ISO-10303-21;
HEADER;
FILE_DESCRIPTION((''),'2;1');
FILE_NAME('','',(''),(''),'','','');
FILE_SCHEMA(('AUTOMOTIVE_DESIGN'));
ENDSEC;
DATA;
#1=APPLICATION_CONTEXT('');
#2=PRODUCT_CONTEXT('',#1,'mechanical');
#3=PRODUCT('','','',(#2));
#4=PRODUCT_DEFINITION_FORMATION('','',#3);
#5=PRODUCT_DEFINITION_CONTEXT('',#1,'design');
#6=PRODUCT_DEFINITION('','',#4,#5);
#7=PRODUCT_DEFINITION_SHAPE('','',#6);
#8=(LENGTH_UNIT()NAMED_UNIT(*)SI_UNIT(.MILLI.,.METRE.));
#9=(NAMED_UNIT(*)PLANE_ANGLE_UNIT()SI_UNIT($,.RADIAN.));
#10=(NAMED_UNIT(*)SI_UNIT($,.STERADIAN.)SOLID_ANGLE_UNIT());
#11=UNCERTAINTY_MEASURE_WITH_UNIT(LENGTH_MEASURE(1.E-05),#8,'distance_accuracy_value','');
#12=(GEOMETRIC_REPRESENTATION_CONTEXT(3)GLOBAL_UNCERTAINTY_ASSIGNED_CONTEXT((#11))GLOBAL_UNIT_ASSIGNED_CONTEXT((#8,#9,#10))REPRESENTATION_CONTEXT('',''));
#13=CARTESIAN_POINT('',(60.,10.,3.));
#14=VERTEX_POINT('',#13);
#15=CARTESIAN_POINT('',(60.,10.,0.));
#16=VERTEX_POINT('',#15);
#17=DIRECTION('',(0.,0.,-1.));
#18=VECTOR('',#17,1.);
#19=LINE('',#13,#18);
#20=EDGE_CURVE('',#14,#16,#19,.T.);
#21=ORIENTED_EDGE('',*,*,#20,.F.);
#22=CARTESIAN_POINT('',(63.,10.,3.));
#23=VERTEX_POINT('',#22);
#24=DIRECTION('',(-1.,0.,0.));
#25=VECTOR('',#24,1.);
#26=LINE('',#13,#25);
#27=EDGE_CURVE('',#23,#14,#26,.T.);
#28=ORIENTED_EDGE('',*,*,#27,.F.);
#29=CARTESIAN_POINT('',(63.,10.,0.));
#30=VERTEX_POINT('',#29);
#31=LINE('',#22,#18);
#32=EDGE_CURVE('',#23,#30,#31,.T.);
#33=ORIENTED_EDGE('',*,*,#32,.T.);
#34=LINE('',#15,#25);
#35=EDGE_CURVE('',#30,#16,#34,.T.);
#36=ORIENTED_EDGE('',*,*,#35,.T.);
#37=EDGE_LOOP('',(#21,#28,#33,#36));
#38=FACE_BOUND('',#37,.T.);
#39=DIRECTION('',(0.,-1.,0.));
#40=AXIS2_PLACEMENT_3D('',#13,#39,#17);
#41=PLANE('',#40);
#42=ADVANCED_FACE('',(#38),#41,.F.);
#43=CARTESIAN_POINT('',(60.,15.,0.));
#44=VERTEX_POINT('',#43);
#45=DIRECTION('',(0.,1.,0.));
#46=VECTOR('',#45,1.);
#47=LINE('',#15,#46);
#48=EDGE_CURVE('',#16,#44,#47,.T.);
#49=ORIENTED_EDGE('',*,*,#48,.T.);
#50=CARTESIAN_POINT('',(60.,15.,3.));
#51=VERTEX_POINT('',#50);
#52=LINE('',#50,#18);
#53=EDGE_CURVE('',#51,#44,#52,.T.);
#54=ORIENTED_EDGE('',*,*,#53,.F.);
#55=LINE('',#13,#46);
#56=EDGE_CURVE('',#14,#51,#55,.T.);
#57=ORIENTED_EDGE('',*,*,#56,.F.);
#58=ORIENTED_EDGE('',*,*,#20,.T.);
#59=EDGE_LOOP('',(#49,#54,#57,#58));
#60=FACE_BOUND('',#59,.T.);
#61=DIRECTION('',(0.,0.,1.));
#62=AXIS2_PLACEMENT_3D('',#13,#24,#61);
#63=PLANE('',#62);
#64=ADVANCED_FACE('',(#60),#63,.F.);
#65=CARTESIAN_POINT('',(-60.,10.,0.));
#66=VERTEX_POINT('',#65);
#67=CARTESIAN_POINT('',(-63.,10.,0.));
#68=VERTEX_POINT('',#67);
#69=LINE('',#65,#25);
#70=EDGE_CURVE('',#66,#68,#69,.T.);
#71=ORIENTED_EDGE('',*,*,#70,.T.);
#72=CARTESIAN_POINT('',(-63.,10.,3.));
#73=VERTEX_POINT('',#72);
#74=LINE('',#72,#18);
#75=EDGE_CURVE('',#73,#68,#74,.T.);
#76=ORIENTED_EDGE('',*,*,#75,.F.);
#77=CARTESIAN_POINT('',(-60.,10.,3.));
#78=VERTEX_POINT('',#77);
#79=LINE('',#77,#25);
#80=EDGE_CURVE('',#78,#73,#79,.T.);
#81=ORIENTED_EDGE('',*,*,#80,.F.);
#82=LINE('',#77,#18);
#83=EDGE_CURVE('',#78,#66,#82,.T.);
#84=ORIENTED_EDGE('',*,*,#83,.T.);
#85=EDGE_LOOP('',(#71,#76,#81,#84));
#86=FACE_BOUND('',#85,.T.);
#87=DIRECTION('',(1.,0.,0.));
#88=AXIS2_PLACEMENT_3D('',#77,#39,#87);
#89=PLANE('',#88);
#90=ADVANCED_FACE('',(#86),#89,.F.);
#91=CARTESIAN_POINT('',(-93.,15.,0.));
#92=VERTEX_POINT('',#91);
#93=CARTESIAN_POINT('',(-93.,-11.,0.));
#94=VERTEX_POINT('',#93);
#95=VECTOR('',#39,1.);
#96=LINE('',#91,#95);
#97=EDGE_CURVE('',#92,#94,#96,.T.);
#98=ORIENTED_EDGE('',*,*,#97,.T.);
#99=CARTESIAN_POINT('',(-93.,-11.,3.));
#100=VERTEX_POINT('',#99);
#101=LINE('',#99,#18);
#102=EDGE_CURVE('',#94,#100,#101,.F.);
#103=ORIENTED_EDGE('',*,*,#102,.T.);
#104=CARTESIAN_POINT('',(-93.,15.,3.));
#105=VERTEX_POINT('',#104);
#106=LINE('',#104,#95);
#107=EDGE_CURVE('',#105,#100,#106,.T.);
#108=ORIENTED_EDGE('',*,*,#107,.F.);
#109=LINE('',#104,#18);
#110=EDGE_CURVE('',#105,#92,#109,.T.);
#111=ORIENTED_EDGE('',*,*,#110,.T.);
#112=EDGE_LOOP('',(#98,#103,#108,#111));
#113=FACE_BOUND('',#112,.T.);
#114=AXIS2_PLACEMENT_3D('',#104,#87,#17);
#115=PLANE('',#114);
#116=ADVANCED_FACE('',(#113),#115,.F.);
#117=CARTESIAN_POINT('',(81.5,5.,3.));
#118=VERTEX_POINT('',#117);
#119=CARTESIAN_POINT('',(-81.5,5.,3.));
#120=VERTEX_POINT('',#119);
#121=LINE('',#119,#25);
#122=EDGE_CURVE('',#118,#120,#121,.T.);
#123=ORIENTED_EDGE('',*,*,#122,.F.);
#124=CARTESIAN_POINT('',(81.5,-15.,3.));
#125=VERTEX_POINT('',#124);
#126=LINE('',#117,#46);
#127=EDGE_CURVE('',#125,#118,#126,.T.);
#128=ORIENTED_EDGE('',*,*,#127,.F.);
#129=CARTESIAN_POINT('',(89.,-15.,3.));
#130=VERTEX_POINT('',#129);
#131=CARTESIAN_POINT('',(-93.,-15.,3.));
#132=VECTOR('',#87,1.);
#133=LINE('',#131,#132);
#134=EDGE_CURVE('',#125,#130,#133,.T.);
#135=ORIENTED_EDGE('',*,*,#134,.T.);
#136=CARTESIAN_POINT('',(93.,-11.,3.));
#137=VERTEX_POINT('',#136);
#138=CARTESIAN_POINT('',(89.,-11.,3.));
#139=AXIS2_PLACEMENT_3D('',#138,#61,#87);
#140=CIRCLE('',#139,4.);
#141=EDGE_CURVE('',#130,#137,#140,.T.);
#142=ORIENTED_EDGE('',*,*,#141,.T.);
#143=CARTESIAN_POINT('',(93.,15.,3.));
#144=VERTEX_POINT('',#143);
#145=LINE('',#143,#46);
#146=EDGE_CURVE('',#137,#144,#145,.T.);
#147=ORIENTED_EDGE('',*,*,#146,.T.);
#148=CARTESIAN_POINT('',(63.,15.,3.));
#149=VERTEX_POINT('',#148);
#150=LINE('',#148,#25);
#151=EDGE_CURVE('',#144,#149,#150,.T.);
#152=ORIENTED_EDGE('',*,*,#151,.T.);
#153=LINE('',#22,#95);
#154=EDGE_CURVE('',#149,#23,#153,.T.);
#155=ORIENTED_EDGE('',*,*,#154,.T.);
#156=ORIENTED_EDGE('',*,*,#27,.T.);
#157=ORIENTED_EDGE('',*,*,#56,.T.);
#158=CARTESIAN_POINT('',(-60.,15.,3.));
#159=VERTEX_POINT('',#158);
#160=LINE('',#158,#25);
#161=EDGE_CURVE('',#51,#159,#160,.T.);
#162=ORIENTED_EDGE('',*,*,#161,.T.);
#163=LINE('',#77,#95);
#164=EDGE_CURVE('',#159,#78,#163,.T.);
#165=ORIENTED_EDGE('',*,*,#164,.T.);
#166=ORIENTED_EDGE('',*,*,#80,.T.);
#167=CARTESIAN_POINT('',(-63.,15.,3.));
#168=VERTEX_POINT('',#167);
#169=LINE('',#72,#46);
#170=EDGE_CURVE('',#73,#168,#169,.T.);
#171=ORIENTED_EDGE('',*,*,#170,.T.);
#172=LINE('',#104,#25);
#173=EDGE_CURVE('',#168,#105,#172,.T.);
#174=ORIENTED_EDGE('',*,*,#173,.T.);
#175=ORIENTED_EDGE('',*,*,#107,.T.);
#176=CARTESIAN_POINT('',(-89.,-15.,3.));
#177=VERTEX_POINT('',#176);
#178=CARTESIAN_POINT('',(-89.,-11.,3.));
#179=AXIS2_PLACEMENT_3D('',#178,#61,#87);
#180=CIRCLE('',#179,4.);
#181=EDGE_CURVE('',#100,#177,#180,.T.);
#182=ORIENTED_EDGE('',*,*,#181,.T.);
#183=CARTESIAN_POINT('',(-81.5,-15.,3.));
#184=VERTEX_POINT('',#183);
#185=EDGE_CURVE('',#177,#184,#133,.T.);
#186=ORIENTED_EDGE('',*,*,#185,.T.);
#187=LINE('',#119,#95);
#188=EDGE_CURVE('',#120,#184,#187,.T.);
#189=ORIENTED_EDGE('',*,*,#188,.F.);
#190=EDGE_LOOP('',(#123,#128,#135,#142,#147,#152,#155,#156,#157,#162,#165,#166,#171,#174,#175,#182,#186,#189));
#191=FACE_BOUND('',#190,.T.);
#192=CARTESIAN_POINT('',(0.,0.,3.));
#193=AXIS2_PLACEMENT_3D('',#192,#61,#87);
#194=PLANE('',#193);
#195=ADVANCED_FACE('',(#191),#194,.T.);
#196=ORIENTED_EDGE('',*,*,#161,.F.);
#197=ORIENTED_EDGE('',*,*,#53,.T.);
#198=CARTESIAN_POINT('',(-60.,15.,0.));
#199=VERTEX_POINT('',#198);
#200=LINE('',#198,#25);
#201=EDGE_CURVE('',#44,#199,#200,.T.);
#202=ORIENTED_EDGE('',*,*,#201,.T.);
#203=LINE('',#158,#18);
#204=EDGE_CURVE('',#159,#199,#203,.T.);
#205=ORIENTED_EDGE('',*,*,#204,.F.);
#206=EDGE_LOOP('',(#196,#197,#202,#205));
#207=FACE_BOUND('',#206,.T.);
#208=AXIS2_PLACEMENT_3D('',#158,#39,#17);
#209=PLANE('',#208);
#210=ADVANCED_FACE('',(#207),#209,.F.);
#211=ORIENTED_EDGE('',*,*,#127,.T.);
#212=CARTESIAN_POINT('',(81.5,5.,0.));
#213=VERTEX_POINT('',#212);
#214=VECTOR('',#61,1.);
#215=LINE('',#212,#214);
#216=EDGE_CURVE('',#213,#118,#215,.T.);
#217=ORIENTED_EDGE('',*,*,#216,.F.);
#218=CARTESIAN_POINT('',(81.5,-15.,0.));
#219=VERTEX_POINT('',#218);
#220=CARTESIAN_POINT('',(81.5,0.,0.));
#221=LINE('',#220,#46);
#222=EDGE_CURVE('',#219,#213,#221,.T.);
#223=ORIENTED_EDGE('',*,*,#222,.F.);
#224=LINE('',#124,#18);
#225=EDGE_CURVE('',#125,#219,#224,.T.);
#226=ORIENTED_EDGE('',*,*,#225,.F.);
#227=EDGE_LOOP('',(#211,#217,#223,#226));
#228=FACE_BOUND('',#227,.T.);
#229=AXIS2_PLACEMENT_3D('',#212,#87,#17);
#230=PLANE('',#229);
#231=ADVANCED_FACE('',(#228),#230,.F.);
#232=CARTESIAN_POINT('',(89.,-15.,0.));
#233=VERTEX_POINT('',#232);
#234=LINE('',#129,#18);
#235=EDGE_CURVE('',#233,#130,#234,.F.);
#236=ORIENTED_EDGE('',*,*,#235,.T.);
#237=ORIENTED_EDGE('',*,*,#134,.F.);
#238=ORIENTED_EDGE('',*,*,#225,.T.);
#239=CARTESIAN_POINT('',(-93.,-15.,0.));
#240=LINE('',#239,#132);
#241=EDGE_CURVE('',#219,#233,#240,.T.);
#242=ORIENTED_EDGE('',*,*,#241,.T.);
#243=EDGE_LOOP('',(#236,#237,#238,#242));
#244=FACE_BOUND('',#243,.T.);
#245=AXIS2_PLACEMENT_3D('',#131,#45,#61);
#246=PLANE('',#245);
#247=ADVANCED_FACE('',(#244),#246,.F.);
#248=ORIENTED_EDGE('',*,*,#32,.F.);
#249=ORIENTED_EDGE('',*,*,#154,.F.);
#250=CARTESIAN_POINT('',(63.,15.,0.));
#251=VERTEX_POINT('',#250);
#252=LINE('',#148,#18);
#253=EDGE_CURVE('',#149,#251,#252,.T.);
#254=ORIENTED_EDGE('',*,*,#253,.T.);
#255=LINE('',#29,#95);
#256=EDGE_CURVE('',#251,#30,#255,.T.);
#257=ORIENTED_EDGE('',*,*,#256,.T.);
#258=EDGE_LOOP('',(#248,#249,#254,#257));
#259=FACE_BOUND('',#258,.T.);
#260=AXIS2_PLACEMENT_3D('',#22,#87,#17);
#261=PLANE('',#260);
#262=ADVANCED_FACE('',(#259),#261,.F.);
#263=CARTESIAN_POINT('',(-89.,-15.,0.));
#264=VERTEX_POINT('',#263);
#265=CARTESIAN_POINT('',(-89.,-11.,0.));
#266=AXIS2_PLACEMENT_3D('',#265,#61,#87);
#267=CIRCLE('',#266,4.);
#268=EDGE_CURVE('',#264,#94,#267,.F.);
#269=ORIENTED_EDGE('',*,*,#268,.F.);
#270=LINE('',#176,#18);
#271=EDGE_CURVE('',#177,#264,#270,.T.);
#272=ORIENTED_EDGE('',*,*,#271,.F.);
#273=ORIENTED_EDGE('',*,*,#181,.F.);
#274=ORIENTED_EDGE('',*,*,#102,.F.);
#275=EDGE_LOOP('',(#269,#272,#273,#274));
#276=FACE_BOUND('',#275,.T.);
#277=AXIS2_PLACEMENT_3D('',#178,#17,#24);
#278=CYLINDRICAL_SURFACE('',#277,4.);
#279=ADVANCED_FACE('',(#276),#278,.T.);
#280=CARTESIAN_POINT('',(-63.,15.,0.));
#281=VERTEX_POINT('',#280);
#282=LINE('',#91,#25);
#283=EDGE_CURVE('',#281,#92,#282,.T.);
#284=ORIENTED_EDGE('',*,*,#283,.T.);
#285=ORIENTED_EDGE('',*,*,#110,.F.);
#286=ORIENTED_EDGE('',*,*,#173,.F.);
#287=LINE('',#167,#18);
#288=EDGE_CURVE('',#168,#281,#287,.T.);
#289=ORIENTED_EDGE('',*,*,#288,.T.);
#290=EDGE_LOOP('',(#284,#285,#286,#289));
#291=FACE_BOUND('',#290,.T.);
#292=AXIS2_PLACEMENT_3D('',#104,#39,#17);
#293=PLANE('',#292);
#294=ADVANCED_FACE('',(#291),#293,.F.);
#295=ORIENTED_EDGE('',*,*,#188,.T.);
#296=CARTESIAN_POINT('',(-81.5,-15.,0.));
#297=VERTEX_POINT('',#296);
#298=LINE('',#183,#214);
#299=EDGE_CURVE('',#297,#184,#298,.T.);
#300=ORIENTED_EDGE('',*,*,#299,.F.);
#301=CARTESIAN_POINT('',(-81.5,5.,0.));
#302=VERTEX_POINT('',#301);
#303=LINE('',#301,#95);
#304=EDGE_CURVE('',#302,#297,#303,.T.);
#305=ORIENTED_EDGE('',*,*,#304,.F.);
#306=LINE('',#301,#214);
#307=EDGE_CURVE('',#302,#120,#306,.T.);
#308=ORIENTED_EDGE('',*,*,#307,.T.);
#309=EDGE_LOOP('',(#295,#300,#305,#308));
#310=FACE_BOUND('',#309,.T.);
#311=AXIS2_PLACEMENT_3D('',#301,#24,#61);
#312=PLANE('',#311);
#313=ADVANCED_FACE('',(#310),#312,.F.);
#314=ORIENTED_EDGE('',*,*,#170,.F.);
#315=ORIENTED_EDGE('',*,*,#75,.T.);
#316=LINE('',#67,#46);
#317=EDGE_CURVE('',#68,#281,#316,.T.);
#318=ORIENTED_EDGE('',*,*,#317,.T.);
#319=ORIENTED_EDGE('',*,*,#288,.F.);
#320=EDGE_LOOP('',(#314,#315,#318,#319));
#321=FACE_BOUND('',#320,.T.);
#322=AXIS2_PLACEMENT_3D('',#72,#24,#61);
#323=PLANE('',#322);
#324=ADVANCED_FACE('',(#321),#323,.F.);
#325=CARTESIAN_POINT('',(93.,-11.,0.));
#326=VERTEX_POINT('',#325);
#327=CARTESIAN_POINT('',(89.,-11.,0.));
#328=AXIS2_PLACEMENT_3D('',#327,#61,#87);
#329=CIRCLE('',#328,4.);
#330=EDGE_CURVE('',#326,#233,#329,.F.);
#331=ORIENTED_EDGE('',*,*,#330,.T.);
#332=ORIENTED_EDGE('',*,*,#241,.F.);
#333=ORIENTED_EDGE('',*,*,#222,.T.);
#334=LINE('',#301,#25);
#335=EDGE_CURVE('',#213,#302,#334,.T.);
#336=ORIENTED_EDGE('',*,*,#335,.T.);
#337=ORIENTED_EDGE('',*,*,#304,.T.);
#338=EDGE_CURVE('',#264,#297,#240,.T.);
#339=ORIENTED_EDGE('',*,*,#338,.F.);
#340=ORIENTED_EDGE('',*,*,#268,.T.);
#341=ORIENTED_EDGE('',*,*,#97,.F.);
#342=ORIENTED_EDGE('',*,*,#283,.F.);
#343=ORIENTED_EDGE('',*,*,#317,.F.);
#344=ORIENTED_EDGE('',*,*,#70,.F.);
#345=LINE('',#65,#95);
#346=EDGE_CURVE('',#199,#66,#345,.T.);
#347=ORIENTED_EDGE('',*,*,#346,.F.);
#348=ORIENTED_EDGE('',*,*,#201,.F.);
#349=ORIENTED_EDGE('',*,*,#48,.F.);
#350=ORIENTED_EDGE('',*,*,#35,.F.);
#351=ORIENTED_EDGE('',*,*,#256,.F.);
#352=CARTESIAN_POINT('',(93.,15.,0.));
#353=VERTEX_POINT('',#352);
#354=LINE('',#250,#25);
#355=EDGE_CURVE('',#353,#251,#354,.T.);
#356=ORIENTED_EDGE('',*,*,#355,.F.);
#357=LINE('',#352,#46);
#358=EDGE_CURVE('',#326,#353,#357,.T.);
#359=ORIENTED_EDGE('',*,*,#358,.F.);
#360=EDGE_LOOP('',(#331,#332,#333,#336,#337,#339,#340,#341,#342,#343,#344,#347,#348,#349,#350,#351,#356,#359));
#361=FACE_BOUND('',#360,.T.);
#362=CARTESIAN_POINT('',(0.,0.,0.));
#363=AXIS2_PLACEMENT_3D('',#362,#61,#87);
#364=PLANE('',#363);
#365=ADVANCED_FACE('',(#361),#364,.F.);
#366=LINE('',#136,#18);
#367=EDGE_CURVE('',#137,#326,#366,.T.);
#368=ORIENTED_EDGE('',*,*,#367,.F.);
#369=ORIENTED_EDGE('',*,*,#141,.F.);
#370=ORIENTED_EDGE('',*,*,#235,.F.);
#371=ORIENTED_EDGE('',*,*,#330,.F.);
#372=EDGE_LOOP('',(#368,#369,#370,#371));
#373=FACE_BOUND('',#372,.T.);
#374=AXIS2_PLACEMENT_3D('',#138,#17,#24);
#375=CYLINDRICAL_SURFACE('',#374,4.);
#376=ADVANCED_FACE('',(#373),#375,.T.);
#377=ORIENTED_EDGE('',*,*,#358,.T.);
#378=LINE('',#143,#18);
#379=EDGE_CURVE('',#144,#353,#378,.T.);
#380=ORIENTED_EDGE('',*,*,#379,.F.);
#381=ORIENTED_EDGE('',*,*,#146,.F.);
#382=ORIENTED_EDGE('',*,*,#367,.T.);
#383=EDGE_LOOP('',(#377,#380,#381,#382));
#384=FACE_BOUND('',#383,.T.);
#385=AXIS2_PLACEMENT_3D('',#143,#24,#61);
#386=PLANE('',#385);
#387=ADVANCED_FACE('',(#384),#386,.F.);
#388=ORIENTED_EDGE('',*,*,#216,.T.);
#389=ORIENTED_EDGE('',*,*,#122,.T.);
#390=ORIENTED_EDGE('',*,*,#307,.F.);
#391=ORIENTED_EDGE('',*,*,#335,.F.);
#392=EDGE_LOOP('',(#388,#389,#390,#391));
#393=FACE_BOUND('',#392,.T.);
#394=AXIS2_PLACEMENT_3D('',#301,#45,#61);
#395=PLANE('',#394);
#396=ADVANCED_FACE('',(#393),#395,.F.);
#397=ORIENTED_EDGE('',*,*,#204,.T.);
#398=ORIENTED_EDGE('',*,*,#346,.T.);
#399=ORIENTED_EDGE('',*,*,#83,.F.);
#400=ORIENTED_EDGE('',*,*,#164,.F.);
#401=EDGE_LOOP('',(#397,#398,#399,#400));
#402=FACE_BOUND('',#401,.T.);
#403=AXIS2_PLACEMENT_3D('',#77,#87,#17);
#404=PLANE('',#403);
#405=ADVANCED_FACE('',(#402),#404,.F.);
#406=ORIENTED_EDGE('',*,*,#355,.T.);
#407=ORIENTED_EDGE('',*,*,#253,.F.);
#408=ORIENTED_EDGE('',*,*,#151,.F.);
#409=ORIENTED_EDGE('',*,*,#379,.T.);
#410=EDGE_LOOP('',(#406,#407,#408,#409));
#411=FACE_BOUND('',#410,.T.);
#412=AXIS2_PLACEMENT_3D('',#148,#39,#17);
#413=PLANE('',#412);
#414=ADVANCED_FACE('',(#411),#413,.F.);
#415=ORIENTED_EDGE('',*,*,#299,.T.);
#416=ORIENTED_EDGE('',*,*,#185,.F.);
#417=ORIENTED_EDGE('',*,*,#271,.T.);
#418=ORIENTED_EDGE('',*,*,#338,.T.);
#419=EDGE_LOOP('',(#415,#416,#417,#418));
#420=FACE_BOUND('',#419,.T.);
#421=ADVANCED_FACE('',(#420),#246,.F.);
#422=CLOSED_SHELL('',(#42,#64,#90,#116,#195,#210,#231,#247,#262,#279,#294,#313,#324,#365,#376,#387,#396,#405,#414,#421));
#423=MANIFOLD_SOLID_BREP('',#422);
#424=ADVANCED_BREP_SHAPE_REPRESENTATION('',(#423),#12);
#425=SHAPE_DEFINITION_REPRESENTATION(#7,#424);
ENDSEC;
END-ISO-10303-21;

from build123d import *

# Parameters (mm, degrees)
BOSS_EXTRUDE1_DEPTH = 3
SKETCH2_W           = 163
SKETCH2_H           = 40
CUT_EXTRUDE1_DEPTH  = 3
FILLET1_R           = 4


with BuildPart() as part:
    # Sketch1 → Boss-Extrude1 (new body)
    with BuildSketch(Plane.XY):
        Polygon((-93, 15), (-63, 15), (-63, 10), (-60, 10), (-60, 15), (60, 15), (60, 10), (63, 10), (63, 15), (93, 15), (93, -15), (-93, -15), align=None)
    extrude(amount=BOSS_EXTRUDE1_DEPTH)

    # Sketch2 → Cut-Extrude1 (cut)
    with BuildSketch(Plane.XY.offset(3)):
        with Locations((0, -15)):
            Rectangle(SKETCH2_W, SKETCH2_H)
    extrude(amount=-CUT_EXTRUDE1_DEPTH, mode=Mode.SUBTRACT)

    # Fillet1
    fillet1_edges = [part.edges().sort_by_distance(p)[0] for p in [
        (93, -15, 1.5),
        (-93, -15, 1.5),
    ]]
    fillet(fillet1_edges, radius=FILLET1_R)


solid = part.part
